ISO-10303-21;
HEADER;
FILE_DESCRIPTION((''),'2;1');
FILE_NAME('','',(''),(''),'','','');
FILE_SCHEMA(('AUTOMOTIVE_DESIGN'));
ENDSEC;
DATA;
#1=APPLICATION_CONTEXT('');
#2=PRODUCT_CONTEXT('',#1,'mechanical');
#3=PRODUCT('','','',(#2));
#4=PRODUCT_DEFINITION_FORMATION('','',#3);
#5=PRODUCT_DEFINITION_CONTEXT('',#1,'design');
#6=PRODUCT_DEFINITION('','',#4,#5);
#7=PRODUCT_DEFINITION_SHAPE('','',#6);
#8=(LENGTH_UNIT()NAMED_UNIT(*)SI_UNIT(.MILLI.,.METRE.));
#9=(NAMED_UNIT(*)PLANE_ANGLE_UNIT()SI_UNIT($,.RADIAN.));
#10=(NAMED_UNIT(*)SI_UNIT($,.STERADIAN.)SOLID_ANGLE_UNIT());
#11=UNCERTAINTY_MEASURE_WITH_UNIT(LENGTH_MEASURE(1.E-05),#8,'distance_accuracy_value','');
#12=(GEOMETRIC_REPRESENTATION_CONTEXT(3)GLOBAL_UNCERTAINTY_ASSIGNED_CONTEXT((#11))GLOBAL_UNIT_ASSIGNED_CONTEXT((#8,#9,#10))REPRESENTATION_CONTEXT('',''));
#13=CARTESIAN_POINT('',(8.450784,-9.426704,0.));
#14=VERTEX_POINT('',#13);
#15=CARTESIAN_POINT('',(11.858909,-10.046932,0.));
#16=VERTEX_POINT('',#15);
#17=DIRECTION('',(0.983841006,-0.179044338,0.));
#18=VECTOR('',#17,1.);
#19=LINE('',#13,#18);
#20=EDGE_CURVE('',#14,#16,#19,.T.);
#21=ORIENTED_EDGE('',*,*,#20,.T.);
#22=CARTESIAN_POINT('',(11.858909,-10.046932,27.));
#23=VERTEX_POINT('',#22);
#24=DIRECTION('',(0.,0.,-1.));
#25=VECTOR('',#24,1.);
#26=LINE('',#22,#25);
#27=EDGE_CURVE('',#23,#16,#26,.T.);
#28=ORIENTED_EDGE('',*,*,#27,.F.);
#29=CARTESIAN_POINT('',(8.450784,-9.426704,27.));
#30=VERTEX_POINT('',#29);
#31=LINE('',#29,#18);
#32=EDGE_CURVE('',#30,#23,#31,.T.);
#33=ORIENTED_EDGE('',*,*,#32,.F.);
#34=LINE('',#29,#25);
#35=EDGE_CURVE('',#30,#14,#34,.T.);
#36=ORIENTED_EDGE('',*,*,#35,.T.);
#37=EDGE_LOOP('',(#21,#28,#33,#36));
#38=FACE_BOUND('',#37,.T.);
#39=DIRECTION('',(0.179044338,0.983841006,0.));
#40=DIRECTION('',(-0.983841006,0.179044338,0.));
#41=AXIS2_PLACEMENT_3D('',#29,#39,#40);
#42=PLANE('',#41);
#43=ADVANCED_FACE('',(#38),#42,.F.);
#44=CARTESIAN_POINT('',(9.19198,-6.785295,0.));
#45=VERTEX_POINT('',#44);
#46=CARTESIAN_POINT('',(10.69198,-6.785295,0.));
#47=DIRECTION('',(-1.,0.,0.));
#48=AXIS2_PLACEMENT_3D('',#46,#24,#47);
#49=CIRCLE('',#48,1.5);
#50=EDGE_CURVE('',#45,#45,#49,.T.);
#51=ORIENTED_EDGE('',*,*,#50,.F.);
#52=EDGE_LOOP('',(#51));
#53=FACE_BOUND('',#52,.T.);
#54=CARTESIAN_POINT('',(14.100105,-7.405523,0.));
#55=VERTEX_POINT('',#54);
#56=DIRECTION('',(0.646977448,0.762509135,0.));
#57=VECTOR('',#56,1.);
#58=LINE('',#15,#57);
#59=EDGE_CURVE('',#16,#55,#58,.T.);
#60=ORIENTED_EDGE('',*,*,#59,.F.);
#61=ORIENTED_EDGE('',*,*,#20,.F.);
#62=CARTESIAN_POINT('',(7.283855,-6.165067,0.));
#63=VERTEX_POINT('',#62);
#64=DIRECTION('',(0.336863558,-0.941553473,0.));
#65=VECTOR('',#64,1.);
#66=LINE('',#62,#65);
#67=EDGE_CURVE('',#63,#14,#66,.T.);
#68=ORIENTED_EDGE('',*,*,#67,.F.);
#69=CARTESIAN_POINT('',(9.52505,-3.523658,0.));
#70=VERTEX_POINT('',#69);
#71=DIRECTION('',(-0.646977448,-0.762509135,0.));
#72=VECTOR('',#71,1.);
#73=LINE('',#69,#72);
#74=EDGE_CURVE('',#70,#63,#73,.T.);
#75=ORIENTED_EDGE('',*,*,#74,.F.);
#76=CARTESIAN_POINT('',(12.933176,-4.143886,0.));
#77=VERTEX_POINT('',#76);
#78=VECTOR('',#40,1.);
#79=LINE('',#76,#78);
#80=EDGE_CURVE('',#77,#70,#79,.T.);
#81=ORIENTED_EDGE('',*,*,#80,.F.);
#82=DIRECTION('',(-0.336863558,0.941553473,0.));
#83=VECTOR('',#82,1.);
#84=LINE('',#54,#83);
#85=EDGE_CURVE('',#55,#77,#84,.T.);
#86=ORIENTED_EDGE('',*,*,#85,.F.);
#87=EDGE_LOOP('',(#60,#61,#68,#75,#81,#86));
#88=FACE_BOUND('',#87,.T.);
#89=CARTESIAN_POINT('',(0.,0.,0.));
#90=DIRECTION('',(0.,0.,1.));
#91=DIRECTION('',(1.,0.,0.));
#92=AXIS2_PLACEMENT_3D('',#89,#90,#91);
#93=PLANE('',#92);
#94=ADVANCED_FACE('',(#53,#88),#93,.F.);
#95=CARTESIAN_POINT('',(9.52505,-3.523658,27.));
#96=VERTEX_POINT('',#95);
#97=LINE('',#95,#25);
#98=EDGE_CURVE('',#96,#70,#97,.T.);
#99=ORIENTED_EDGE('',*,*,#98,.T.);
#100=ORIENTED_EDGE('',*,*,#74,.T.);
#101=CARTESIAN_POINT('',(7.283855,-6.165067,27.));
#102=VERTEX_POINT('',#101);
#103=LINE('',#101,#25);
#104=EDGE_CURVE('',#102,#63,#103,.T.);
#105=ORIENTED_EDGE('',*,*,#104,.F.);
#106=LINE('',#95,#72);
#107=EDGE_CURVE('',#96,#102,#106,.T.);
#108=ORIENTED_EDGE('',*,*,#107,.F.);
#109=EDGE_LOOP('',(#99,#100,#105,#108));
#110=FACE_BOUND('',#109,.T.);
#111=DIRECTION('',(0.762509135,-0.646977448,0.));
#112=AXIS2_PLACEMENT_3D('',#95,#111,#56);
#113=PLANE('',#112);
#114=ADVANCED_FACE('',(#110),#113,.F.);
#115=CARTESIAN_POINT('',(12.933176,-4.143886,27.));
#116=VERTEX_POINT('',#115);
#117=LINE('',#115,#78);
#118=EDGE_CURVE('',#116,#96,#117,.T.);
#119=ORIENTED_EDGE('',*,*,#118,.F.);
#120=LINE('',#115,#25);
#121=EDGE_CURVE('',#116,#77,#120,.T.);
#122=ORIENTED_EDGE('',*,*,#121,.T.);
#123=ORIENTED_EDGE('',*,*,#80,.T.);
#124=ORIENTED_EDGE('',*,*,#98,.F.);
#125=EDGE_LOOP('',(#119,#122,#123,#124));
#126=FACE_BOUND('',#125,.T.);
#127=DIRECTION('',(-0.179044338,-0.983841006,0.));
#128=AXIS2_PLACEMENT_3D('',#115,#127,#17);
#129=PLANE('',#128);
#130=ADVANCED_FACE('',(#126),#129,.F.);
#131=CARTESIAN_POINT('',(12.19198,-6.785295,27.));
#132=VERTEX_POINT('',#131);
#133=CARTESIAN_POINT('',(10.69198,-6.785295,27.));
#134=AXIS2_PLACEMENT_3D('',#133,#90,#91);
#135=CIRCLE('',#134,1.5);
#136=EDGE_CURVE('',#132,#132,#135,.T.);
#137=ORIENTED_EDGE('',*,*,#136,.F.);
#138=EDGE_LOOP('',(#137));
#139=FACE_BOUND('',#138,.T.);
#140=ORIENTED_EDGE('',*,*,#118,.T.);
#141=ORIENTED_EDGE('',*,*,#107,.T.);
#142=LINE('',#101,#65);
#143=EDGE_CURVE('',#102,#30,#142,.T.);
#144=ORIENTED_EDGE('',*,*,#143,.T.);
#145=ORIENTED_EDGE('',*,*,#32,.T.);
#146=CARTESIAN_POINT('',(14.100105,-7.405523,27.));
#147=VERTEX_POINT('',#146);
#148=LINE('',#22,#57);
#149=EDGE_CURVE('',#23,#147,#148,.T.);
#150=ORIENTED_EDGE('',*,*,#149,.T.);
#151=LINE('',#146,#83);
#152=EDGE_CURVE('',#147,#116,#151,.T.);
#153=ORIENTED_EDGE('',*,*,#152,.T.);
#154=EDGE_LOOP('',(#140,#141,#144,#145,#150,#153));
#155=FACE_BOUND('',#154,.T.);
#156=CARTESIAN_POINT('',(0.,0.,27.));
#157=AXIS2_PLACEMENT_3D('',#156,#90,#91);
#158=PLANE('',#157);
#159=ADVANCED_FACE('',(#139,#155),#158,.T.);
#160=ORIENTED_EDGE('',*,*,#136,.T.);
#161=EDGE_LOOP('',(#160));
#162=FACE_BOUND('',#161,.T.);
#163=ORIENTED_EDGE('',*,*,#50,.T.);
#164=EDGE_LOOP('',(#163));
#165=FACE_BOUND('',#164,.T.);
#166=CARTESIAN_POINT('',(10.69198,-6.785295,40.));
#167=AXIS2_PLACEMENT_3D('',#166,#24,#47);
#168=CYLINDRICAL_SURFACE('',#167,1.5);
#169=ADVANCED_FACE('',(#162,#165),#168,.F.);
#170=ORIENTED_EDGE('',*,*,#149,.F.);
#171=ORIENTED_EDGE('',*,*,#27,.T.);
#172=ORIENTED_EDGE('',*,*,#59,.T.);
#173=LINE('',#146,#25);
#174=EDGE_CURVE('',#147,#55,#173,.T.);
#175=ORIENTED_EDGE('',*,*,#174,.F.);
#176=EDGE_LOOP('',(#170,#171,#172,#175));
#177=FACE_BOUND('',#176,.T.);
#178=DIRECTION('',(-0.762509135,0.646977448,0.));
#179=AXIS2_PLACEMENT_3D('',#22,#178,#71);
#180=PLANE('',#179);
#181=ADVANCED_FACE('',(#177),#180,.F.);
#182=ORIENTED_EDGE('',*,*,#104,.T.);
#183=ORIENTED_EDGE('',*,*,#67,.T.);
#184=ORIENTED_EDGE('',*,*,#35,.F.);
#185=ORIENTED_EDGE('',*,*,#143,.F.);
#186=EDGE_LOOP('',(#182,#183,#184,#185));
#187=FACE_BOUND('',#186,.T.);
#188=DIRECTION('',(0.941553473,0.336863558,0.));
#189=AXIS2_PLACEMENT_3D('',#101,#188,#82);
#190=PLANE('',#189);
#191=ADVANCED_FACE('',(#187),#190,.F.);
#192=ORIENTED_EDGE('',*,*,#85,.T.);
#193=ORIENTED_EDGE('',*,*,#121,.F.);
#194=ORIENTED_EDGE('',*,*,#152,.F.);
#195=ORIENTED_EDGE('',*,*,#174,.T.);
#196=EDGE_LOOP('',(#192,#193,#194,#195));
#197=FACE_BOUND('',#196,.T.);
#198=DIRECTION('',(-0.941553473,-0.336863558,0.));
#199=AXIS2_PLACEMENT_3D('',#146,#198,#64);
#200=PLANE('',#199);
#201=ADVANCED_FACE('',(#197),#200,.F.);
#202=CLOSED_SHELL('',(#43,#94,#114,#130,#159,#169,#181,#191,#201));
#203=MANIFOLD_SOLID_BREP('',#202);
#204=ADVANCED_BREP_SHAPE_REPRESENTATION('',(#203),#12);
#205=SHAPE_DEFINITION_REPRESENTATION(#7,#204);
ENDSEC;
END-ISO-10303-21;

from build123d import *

# Parameters (mm, degrees)
RESSALTO_EXTRUS_O1_DEPTH = 27
ESBO_O4_R                = 1.5
CORTE_EXTRUS_O2_DEPTH    = 40


with BuildPart() as part:
    # Esboço1 → Ressalto-extrusão1 (new body)
    with BuildSketch(Plane.XY):
        Polygon((12.933175524, -4.143885809), (9.525050306, -3.523658029), (7.283854683, -6.165067156), (8.450784277, -9.426704064), (11.858909495, -10.046931845), (14.100105118, -7.405522718), align=None)
    extrude(amount=RESSALTO_EXTRUS_O1_DEPTH)

    # Esboço4 → Corte-extrusão2 (cut)
    with BuildSketch(Plane(origin=(0, 0, 0), x_dir=(-1, 0, 0), z_dir=(0, 0, -1))):
        with Locations((-10.691979901, -6.785294937)):
            Circle(ESBO_O4_R)
    extrude(amount=-CORTE_EXTRUS_O2_DEPTH, mode=Mode.SUBTRACT)


solid = part.part
